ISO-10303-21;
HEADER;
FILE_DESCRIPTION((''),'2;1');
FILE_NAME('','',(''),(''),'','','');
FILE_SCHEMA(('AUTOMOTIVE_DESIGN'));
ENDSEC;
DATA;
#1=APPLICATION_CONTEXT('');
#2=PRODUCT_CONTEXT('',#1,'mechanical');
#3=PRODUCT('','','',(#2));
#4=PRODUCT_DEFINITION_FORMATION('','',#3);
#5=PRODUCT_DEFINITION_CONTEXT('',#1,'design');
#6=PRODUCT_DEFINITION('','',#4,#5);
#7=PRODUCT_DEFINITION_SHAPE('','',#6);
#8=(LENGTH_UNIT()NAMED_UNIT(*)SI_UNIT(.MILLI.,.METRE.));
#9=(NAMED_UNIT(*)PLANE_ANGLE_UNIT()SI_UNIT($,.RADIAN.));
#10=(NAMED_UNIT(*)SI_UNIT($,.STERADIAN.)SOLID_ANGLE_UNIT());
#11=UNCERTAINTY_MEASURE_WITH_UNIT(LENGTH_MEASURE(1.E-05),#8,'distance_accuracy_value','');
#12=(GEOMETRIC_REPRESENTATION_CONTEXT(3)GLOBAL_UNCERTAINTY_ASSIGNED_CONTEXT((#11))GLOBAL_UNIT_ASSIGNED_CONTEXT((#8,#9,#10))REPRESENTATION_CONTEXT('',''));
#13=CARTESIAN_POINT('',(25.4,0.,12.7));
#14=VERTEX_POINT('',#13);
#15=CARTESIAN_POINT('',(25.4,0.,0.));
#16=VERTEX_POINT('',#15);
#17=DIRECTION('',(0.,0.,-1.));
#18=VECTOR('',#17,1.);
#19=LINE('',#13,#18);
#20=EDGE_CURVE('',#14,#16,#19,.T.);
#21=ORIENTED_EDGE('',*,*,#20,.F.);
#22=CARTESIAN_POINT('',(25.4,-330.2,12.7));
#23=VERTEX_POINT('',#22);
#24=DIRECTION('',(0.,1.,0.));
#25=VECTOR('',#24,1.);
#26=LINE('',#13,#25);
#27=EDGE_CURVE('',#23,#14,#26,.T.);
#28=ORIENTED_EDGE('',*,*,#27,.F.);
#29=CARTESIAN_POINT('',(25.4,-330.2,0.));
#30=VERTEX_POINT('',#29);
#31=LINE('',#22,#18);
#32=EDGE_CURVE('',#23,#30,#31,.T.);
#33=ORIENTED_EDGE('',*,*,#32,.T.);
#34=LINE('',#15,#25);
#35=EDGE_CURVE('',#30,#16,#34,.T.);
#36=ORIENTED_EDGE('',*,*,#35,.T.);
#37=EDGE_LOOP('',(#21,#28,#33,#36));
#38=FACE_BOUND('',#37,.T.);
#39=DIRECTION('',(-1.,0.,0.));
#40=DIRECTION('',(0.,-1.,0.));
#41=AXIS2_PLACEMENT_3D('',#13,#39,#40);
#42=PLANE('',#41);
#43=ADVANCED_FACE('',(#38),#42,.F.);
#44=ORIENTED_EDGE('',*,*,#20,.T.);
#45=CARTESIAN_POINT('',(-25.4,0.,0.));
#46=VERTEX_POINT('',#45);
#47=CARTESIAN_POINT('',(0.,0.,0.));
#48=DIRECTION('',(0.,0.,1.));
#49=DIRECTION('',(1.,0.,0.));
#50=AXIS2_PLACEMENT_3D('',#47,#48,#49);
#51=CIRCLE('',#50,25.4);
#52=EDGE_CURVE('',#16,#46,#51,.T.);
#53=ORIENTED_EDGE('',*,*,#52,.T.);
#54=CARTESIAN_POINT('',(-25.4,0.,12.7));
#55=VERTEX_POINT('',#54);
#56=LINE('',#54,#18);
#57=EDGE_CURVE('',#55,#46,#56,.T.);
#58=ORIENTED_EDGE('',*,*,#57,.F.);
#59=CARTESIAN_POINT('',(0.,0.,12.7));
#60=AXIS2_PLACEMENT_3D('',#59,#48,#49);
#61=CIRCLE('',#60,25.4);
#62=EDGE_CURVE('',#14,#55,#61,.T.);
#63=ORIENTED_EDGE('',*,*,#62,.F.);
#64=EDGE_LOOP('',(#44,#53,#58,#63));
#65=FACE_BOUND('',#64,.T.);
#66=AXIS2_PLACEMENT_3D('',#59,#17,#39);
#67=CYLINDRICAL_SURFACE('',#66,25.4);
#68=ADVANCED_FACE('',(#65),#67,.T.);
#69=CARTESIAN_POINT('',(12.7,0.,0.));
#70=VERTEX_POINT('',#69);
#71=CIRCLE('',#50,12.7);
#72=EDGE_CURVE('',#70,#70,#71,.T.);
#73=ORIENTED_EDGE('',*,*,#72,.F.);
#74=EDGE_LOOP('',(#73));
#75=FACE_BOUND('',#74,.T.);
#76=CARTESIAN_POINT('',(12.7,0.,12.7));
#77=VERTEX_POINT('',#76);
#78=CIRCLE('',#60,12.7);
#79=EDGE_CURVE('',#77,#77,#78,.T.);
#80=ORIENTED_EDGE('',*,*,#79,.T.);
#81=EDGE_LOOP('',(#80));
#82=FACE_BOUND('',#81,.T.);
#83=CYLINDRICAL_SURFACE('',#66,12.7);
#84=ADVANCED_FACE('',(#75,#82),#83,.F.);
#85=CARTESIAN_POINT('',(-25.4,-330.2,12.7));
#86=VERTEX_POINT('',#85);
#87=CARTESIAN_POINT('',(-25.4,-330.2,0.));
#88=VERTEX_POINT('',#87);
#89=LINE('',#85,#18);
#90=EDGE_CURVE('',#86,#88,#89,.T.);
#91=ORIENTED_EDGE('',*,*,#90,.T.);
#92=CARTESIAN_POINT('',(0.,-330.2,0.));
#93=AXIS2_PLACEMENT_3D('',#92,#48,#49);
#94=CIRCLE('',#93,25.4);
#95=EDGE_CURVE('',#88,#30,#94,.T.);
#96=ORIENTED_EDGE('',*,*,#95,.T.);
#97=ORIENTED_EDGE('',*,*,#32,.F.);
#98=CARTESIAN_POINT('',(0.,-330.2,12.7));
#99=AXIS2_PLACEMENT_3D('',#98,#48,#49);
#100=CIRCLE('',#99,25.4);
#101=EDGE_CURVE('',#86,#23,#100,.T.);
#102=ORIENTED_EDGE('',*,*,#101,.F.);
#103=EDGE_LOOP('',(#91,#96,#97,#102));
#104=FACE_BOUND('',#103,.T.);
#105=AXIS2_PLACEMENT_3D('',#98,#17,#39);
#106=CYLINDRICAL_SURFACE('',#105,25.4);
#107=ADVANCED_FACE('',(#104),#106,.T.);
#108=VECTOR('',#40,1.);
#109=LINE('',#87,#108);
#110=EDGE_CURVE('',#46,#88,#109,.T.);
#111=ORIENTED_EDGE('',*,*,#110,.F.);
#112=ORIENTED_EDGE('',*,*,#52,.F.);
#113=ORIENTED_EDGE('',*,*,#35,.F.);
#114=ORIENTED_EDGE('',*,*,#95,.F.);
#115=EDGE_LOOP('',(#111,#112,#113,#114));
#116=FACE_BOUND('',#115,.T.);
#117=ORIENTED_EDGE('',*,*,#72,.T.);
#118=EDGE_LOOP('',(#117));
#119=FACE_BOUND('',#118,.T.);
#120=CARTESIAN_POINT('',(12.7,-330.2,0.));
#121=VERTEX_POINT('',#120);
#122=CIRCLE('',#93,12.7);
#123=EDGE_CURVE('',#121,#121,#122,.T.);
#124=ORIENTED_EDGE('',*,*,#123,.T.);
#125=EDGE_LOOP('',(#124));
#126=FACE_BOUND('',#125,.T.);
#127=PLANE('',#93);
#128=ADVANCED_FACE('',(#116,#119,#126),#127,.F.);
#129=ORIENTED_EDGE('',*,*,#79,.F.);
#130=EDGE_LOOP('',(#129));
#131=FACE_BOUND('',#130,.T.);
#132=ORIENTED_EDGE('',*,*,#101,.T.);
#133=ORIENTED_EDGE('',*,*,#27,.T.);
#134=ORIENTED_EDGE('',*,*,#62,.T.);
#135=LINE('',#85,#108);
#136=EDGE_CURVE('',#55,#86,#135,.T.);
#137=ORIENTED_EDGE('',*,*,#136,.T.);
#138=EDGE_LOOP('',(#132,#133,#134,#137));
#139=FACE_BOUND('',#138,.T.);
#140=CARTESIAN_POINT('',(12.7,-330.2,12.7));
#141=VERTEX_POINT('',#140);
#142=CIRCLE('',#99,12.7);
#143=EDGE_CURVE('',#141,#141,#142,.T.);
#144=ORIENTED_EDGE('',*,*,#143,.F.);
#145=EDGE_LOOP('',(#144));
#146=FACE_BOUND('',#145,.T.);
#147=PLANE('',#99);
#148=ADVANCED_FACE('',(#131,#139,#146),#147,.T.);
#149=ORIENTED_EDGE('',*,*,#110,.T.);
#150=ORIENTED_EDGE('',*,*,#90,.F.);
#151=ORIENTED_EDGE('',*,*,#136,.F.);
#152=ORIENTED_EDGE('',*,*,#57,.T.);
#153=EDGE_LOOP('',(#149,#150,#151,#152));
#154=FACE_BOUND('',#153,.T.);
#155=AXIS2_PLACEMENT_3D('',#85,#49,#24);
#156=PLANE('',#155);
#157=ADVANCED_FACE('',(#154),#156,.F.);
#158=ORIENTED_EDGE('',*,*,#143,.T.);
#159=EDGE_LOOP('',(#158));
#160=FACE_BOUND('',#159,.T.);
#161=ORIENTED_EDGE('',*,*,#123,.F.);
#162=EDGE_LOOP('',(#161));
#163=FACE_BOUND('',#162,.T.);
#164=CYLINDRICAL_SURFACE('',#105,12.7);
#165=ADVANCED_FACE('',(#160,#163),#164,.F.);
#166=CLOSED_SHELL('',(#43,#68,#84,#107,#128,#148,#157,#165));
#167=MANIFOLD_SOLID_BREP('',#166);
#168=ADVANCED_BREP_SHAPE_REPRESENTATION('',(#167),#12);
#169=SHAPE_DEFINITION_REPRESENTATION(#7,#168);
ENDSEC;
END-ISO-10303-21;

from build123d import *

# Parameters (mm, degrees)
SKETCH1_R           = 12.7
BOSS_EXTRUDE1_DEPTH = 12.7


with BuildPart() as part:
    # Sketch1 → Boss-Extrude1 (new body)
    with BuildSketch(Plane.XY):
        with BuildLine():
            Line((-25.4, -330.2), (-25.4, 0))
            ThreePointArc((-25.4, 0), (0, 25.4), (25.4, 0))
            Line((25.4, 0), (25.4, -330.2))
            ThreePointArc((25.4, -330.2), (0, -355.6), (-25.4, -330.2))
        make_face()
        Circle(SKETCH1_R, mode=Mode.SUBTRACT)
        with Locations((0, -330.2)):
            Circle(SKETCH1_R, mode=Mode.SUBTRACT)
    extrude(amount=BOSS_EXTRUDE1_DEPTH)


solid = part.part
